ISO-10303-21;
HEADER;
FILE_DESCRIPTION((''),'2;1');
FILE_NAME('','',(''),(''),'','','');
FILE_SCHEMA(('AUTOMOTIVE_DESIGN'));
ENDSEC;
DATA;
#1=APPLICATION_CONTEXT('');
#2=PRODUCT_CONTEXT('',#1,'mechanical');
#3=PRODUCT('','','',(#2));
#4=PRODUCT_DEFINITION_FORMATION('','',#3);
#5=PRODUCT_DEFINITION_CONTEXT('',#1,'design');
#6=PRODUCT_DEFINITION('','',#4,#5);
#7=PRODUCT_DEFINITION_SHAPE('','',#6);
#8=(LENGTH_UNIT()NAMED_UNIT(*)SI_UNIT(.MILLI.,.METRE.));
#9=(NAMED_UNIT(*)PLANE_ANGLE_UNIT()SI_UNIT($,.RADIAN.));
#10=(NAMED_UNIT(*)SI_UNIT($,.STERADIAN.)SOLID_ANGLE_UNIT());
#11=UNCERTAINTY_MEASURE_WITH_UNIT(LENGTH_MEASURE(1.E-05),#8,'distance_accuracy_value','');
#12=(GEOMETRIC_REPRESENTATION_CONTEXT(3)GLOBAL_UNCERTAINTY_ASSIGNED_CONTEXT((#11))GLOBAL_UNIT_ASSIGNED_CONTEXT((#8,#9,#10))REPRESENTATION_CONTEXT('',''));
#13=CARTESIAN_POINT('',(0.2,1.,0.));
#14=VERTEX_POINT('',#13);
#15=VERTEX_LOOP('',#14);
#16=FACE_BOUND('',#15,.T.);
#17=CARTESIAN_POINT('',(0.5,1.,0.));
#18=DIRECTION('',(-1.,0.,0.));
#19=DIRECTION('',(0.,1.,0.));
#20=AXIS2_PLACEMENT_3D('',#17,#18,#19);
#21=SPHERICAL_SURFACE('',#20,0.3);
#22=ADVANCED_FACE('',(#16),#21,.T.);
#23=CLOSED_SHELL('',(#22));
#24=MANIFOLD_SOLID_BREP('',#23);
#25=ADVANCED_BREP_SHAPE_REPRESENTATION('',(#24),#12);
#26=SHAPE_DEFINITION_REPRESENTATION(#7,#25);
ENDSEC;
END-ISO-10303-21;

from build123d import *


with BuildPart() as part:
    # Sketch1 → Revolve1 (revolve)
    with BuildSketch(Plane.XY):
        with BuildLine():
            Line((0.8, 1), (0.2, 1))
            ThreePointArc((0.2, 1), (0.5, 1.3), (0.8, 1))
        make_face()
    revolve(axis=Axis((0.8, 1, 0), (-1, 0, 0)))


solid = part.part
